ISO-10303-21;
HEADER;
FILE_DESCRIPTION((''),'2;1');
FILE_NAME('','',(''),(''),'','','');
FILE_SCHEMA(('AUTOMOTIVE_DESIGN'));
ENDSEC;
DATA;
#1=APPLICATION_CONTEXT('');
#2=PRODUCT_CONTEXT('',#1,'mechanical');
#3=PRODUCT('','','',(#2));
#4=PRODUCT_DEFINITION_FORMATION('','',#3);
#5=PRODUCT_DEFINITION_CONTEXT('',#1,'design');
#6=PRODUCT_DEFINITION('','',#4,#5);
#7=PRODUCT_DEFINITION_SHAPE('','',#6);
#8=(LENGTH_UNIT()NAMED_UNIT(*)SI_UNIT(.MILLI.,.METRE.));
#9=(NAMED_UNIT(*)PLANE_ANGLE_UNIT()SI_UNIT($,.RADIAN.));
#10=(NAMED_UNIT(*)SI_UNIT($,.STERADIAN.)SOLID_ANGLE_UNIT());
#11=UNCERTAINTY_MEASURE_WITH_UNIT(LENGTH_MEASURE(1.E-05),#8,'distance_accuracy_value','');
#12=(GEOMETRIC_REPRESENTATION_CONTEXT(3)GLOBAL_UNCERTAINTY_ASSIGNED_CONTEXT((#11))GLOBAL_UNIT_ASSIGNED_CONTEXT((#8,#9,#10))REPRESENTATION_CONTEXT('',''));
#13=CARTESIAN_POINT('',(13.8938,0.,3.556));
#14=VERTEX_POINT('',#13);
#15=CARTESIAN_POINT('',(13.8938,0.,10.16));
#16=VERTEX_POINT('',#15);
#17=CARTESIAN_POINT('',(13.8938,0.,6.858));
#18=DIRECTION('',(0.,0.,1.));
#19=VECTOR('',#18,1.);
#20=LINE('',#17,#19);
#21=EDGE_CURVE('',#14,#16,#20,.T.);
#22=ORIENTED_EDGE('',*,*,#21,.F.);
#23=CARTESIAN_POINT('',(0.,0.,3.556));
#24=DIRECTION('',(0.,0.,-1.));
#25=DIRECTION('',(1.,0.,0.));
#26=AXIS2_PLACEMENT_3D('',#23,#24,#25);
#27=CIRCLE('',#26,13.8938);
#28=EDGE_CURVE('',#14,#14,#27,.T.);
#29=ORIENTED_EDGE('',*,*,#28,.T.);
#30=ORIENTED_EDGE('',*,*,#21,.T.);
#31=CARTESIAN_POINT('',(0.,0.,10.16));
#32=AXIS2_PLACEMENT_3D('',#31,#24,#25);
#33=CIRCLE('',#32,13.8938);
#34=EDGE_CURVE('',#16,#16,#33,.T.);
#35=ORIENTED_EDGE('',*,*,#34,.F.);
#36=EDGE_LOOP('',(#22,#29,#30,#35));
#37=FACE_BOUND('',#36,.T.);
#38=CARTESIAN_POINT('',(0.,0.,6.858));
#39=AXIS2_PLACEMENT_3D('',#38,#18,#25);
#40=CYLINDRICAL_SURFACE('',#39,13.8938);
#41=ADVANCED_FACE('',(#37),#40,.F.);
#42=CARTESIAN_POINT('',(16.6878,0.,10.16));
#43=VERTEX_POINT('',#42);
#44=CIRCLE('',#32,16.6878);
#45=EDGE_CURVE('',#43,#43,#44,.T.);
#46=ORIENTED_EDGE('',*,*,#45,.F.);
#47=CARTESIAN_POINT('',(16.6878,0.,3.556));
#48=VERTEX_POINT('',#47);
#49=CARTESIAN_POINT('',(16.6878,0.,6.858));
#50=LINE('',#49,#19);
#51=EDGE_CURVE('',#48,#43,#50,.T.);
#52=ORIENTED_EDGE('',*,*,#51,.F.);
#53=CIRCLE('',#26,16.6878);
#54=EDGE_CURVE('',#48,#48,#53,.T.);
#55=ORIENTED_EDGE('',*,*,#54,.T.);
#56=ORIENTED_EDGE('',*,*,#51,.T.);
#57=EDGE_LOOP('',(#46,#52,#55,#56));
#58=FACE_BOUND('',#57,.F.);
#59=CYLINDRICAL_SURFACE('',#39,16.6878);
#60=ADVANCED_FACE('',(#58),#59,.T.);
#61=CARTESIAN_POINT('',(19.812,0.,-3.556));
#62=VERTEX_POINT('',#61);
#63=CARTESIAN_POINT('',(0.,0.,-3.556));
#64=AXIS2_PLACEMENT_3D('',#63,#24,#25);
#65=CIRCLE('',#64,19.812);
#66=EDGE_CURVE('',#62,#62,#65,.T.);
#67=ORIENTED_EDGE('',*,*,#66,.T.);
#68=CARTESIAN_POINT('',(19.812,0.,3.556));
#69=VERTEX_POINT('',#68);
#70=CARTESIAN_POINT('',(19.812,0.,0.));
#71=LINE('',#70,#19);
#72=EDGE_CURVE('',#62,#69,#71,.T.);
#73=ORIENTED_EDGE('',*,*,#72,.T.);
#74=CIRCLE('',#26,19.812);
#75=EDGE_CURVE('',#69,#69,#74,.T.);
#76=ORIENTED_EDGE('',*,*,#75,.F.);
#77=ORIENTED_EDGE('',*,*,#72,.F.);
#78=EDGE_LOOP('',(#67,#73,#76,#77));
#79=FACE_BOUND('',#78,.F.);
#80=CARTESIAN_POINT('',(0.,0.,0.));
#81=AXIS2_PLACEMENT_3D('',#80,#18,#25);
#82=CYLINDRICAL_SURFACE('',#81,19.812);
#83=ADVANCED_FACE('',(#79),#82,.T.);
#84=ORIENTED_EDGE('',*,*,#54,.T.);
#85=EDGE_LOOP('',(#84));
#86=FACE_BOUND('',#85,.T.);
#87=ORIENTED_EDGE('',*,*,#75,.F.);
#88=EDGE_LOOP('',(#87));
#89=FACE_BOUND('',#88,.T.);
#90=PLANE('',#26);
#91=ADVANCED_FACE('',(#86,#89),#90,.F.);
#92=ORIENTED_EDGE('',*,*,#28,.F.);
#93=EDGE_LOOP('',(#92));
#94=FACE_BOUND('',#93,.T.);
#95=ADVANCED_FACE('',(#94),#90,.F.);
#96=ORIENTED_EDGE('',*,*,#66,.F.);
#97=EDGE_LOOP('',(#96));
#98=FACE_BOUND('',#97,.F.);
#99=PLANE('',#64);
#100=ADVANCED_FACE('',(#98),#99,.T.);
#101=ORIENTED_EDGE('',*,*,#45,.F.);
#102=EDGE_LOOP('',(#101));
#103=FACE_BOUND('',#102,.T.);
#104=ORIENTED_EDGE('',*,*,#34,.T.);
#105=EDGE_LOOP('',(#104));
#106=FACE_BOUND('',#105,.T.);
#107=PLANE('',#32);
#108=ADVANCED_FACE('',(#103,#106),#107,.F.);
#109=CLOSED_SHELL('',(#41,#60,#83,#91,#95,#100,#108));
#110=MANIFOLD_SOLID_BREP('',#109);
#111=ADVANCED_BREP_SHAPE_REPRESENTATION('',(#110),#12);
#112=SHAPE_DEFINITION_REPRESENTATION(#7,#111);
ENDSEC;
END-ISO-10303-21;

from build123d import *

# Parameters (mm, degrees)
F1_W = 19.812
F1_H = 7.112
F0_W = 2.794
F0_H = 6.604


with BuildPart() as f2:
    # F1 (on Front) + F0 (on Front) → F2 (revolve)
    with BuildSketch(Plane.XZ):
        with Locations((9.906, 0)):
            Rectangle(F1_W, F1_H)
    with BuildSketch(Plane.XZ):
        with Locations((15.2908, 6.858)):
            Rectangle(F0_W, F0_H)
    revolve(axis=Axis((0, 0, 0), (0, 0, -1)))


solid = f2.part
